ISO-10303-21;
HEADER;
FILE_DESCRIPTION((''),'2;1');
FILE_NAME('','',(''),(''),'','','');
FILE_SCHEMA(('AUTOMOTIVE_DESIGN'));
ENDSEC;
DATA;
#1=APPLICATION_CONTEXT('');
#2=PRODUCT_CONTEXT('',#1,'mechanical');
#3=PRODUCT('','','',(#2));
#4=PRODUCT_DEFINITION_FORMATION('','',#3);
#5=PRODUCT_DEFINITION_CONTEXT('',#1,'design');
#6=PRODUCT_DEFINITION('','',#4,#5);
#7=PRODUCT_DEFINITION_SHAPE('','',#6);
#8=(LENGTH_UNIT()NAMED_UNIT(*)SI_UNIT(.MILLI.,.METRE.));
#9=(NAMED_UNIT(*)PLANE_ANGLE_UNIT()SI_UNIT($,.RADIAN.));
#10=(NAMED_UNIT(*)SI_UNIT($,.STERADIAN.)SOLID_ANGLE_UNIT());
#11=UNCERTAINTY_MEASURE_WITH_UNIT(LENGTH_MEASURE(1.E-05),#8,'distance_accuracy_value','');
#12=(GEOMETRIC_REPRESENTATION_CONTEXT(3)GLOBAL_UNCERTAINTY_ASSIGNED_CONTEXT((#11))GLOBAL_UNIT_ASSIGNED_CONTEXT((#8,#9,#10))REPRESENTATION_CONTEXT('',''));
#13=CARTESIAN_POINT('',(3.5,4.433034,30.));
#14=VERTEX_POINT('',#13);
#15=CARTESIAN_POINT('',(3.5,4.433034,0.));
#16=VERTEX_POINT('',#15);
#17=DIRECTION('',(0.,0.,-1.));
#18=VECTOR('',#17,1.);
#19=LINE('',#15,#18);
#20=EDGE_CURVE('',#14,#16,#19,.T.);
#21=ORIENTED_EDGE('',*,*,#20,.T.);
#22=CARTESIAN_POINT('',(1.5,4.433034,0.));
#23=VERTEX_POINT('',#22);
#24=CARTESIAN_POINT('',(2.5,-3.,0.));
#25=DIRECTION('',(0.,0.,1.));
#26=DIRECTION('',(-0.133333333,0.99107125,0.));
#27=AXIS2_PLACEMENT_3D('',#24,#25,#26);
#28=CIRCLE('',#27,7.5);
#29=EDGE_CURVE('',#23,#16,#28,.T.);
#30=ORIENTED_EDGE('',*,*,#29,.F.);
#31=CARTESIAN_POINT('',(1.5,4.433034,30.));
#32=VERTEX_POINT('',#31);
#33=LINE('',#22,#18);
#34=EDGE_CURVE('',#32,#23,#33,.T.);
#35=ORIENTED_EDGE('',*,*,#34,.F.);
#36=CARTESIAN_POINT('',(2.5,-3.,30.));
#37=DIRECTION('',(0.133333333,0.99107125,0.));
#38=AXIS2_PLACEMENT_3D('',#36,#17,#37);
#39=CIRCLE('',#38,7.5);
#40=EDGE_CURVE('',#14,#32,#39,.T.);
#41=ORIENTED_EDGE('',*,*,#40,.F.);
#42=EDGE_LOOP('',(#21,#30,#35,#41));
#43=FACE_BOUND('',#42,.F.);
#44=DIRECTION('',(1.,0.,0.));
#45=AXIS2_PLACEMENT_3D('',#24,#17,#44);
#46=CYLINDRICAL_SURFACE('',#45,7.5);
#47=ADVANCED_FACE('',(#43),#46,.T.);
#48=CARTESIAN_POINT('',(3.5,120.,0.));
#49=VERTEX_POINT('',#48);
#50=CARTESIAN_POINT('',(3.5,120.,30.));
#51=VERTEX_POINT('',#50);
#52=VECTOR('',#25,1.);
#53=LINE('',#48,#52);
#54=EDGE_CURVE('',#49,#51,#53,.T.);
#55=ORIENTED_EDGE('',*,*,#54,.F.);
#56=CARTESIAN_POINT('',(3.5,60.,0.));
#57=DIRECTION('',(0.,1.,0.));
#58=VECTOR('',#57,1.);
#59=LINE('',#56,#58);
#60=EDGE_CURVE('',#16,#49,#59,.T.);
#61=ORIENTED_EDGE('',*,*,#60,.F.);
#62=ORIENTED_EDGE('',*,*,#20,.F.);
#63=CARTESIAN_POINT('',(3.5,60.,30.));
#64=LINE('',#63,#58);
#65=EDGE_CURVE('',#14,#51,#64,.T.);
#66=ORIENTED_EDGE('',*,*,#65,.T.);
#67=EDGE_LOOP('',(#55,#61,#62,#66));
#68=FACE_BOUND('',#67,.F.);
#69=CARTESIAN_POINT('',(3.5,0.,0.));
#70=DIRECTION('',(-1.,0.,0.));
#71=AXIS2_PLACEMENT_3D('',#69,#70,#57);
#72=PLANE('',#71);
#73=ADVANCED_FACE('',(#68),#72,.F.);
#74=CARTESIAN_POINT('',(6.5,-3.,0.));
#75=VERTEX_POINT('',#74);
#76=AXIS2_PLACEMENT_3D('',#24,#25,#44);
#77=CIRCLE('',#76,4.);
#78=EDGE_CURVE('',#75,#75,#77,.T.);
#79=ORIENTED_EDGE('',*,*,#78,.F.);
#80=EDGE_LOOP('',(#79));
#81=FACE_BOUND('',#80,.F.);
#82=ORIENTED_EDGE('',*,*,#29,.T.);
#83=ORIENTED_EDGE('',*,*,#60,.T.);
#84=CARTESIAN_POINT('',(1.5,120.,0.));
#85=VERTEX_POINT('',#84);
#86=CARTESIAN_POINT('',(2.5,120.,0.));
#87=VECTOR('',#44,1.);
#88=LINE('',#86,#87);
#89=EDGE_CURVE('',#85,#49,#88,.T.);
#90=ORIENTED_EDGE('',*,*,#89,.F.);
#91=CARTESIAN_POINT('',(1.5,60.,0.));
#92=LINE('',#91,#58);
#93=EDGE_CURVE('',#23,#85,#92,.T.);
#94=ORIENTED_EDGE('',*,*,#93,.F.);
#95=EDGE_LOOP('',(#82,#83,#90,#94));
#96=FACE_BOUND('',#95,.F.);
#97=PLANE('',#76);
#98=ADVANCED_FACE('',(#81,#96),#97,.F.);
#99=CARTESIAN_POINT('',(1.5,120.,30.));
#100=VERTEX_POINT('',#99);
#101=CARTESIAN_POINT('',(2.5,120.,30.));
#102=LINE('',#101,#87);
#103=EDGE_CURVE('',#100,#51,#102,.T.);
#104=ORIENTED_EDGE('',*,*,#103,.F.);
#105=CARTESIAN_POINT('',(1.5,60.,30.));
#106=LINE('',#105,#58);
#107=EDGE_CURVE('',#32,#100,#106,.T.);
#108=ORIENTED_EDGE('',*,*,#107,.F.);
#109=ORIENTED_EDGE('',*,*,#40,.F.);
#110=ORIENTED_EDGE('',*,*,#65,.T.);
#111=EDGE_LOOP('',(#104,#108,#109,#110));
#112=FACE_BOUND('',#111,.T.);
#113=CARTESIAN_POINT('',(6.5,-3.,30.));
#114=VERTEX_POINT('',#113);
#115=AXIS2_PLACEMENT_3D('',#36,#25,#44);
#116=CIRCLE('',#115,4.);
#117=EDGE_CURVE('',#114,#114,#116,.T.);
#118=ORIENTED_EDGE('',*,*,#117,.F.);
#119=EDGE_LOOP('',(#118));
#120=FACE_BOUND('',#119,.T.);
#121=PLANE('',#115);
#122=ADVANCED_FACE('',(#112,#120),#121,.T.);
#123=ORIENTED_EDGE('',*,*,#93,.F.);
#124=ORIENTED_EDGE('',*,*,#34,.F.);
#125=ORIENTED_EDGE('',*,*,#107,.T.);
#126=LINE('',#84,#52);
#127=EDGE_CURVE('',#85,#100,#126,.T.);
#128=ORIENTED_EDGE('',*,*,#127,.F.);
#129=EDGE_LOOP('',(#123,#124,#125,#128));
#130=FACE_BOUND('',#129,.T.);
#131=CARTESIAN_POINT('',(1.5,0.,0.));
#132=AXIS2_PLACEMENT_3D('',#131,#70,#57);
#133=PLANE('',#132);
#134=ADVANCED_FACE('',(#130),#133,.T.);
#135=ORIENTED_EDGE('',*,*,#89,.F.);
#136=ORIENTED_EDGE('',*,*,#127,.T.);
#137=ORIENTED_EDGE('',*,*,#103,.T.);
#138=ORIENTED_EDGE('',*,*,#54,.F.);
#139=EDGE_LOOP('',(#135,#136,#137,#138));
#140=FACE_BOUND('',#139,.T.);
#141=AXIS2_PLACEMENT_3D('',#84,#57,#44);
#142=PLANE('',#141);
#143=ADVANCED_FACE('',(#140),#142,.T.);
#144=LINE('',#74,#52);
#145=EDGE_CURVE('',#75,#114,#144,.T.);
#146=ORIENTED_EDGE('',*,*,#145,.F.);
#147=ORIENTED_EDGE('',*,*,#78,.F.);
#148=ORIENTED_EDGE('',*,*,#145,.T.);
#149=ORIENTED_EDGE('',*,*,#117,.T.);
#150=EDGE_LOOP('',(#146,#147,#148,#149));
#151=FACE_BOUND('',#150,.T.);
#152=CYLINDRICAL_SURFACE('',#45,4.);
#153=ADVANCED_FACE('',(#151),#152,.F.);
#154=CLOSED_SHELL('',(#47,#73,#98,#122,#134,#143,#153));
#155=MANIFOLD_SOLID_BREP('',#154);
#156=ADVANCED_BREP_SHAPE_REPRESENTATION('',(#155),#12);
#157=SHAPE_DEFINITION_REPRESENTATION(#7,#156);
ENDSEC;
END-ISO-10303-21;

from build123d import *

# Parameters (mm, degrees)
CYLINDER001_R     = 4
CYLINDER001_DEPTH = 30
CYLINDER_R        = 7.5
CYLINDER_DEPTH    = 30
BOX_W             = 2
BOX_H             = 120
BOX_DEPTH         = 30


with BuildPart() as cilindro_subs:
    # Cylinder001 → Cylinder001 (new body)
    with BuildSketch(Plane(origin=(2.5, -3, 0), x_dir=(1, 0, 0), z_dir=(0, 0, 1))):
        Circle(CYLINDER001_R)
    extrude(amount=CYLINDER001_DEPTH)


with BuildPart() as cilindro_hembra:
    # Cylinder → Cylinder (new body)
    with BuildSketch(Plane(origin=(2.5, -3, 0), x_dir=(1, 0, 0), z_dir=(0, 0, 1))):
        Circle(CYLINDER_R)
    extrude(amount=CYLINDER_DEPTH)


with BuildPart() as cut:
    # Box → Box (new body)
    with BuildSketch(Plane(origin=(1.5, 0, 0), x_dir=(1, 0, 0), z_dir=(0, 0, 1))):
        with Locations((1, 60)):
            Rectangle(BOX_W, BOX_H)
    extrude(amount=BOX_DEPTH)

    # Fusion: union Cilindro hembra
    add(cilindro_hembra.part)

    # Cut: cut Cilindro subs
    add(cilindro_subs.part, mode=Mode.SUBTRACT)


solid = cut.part
